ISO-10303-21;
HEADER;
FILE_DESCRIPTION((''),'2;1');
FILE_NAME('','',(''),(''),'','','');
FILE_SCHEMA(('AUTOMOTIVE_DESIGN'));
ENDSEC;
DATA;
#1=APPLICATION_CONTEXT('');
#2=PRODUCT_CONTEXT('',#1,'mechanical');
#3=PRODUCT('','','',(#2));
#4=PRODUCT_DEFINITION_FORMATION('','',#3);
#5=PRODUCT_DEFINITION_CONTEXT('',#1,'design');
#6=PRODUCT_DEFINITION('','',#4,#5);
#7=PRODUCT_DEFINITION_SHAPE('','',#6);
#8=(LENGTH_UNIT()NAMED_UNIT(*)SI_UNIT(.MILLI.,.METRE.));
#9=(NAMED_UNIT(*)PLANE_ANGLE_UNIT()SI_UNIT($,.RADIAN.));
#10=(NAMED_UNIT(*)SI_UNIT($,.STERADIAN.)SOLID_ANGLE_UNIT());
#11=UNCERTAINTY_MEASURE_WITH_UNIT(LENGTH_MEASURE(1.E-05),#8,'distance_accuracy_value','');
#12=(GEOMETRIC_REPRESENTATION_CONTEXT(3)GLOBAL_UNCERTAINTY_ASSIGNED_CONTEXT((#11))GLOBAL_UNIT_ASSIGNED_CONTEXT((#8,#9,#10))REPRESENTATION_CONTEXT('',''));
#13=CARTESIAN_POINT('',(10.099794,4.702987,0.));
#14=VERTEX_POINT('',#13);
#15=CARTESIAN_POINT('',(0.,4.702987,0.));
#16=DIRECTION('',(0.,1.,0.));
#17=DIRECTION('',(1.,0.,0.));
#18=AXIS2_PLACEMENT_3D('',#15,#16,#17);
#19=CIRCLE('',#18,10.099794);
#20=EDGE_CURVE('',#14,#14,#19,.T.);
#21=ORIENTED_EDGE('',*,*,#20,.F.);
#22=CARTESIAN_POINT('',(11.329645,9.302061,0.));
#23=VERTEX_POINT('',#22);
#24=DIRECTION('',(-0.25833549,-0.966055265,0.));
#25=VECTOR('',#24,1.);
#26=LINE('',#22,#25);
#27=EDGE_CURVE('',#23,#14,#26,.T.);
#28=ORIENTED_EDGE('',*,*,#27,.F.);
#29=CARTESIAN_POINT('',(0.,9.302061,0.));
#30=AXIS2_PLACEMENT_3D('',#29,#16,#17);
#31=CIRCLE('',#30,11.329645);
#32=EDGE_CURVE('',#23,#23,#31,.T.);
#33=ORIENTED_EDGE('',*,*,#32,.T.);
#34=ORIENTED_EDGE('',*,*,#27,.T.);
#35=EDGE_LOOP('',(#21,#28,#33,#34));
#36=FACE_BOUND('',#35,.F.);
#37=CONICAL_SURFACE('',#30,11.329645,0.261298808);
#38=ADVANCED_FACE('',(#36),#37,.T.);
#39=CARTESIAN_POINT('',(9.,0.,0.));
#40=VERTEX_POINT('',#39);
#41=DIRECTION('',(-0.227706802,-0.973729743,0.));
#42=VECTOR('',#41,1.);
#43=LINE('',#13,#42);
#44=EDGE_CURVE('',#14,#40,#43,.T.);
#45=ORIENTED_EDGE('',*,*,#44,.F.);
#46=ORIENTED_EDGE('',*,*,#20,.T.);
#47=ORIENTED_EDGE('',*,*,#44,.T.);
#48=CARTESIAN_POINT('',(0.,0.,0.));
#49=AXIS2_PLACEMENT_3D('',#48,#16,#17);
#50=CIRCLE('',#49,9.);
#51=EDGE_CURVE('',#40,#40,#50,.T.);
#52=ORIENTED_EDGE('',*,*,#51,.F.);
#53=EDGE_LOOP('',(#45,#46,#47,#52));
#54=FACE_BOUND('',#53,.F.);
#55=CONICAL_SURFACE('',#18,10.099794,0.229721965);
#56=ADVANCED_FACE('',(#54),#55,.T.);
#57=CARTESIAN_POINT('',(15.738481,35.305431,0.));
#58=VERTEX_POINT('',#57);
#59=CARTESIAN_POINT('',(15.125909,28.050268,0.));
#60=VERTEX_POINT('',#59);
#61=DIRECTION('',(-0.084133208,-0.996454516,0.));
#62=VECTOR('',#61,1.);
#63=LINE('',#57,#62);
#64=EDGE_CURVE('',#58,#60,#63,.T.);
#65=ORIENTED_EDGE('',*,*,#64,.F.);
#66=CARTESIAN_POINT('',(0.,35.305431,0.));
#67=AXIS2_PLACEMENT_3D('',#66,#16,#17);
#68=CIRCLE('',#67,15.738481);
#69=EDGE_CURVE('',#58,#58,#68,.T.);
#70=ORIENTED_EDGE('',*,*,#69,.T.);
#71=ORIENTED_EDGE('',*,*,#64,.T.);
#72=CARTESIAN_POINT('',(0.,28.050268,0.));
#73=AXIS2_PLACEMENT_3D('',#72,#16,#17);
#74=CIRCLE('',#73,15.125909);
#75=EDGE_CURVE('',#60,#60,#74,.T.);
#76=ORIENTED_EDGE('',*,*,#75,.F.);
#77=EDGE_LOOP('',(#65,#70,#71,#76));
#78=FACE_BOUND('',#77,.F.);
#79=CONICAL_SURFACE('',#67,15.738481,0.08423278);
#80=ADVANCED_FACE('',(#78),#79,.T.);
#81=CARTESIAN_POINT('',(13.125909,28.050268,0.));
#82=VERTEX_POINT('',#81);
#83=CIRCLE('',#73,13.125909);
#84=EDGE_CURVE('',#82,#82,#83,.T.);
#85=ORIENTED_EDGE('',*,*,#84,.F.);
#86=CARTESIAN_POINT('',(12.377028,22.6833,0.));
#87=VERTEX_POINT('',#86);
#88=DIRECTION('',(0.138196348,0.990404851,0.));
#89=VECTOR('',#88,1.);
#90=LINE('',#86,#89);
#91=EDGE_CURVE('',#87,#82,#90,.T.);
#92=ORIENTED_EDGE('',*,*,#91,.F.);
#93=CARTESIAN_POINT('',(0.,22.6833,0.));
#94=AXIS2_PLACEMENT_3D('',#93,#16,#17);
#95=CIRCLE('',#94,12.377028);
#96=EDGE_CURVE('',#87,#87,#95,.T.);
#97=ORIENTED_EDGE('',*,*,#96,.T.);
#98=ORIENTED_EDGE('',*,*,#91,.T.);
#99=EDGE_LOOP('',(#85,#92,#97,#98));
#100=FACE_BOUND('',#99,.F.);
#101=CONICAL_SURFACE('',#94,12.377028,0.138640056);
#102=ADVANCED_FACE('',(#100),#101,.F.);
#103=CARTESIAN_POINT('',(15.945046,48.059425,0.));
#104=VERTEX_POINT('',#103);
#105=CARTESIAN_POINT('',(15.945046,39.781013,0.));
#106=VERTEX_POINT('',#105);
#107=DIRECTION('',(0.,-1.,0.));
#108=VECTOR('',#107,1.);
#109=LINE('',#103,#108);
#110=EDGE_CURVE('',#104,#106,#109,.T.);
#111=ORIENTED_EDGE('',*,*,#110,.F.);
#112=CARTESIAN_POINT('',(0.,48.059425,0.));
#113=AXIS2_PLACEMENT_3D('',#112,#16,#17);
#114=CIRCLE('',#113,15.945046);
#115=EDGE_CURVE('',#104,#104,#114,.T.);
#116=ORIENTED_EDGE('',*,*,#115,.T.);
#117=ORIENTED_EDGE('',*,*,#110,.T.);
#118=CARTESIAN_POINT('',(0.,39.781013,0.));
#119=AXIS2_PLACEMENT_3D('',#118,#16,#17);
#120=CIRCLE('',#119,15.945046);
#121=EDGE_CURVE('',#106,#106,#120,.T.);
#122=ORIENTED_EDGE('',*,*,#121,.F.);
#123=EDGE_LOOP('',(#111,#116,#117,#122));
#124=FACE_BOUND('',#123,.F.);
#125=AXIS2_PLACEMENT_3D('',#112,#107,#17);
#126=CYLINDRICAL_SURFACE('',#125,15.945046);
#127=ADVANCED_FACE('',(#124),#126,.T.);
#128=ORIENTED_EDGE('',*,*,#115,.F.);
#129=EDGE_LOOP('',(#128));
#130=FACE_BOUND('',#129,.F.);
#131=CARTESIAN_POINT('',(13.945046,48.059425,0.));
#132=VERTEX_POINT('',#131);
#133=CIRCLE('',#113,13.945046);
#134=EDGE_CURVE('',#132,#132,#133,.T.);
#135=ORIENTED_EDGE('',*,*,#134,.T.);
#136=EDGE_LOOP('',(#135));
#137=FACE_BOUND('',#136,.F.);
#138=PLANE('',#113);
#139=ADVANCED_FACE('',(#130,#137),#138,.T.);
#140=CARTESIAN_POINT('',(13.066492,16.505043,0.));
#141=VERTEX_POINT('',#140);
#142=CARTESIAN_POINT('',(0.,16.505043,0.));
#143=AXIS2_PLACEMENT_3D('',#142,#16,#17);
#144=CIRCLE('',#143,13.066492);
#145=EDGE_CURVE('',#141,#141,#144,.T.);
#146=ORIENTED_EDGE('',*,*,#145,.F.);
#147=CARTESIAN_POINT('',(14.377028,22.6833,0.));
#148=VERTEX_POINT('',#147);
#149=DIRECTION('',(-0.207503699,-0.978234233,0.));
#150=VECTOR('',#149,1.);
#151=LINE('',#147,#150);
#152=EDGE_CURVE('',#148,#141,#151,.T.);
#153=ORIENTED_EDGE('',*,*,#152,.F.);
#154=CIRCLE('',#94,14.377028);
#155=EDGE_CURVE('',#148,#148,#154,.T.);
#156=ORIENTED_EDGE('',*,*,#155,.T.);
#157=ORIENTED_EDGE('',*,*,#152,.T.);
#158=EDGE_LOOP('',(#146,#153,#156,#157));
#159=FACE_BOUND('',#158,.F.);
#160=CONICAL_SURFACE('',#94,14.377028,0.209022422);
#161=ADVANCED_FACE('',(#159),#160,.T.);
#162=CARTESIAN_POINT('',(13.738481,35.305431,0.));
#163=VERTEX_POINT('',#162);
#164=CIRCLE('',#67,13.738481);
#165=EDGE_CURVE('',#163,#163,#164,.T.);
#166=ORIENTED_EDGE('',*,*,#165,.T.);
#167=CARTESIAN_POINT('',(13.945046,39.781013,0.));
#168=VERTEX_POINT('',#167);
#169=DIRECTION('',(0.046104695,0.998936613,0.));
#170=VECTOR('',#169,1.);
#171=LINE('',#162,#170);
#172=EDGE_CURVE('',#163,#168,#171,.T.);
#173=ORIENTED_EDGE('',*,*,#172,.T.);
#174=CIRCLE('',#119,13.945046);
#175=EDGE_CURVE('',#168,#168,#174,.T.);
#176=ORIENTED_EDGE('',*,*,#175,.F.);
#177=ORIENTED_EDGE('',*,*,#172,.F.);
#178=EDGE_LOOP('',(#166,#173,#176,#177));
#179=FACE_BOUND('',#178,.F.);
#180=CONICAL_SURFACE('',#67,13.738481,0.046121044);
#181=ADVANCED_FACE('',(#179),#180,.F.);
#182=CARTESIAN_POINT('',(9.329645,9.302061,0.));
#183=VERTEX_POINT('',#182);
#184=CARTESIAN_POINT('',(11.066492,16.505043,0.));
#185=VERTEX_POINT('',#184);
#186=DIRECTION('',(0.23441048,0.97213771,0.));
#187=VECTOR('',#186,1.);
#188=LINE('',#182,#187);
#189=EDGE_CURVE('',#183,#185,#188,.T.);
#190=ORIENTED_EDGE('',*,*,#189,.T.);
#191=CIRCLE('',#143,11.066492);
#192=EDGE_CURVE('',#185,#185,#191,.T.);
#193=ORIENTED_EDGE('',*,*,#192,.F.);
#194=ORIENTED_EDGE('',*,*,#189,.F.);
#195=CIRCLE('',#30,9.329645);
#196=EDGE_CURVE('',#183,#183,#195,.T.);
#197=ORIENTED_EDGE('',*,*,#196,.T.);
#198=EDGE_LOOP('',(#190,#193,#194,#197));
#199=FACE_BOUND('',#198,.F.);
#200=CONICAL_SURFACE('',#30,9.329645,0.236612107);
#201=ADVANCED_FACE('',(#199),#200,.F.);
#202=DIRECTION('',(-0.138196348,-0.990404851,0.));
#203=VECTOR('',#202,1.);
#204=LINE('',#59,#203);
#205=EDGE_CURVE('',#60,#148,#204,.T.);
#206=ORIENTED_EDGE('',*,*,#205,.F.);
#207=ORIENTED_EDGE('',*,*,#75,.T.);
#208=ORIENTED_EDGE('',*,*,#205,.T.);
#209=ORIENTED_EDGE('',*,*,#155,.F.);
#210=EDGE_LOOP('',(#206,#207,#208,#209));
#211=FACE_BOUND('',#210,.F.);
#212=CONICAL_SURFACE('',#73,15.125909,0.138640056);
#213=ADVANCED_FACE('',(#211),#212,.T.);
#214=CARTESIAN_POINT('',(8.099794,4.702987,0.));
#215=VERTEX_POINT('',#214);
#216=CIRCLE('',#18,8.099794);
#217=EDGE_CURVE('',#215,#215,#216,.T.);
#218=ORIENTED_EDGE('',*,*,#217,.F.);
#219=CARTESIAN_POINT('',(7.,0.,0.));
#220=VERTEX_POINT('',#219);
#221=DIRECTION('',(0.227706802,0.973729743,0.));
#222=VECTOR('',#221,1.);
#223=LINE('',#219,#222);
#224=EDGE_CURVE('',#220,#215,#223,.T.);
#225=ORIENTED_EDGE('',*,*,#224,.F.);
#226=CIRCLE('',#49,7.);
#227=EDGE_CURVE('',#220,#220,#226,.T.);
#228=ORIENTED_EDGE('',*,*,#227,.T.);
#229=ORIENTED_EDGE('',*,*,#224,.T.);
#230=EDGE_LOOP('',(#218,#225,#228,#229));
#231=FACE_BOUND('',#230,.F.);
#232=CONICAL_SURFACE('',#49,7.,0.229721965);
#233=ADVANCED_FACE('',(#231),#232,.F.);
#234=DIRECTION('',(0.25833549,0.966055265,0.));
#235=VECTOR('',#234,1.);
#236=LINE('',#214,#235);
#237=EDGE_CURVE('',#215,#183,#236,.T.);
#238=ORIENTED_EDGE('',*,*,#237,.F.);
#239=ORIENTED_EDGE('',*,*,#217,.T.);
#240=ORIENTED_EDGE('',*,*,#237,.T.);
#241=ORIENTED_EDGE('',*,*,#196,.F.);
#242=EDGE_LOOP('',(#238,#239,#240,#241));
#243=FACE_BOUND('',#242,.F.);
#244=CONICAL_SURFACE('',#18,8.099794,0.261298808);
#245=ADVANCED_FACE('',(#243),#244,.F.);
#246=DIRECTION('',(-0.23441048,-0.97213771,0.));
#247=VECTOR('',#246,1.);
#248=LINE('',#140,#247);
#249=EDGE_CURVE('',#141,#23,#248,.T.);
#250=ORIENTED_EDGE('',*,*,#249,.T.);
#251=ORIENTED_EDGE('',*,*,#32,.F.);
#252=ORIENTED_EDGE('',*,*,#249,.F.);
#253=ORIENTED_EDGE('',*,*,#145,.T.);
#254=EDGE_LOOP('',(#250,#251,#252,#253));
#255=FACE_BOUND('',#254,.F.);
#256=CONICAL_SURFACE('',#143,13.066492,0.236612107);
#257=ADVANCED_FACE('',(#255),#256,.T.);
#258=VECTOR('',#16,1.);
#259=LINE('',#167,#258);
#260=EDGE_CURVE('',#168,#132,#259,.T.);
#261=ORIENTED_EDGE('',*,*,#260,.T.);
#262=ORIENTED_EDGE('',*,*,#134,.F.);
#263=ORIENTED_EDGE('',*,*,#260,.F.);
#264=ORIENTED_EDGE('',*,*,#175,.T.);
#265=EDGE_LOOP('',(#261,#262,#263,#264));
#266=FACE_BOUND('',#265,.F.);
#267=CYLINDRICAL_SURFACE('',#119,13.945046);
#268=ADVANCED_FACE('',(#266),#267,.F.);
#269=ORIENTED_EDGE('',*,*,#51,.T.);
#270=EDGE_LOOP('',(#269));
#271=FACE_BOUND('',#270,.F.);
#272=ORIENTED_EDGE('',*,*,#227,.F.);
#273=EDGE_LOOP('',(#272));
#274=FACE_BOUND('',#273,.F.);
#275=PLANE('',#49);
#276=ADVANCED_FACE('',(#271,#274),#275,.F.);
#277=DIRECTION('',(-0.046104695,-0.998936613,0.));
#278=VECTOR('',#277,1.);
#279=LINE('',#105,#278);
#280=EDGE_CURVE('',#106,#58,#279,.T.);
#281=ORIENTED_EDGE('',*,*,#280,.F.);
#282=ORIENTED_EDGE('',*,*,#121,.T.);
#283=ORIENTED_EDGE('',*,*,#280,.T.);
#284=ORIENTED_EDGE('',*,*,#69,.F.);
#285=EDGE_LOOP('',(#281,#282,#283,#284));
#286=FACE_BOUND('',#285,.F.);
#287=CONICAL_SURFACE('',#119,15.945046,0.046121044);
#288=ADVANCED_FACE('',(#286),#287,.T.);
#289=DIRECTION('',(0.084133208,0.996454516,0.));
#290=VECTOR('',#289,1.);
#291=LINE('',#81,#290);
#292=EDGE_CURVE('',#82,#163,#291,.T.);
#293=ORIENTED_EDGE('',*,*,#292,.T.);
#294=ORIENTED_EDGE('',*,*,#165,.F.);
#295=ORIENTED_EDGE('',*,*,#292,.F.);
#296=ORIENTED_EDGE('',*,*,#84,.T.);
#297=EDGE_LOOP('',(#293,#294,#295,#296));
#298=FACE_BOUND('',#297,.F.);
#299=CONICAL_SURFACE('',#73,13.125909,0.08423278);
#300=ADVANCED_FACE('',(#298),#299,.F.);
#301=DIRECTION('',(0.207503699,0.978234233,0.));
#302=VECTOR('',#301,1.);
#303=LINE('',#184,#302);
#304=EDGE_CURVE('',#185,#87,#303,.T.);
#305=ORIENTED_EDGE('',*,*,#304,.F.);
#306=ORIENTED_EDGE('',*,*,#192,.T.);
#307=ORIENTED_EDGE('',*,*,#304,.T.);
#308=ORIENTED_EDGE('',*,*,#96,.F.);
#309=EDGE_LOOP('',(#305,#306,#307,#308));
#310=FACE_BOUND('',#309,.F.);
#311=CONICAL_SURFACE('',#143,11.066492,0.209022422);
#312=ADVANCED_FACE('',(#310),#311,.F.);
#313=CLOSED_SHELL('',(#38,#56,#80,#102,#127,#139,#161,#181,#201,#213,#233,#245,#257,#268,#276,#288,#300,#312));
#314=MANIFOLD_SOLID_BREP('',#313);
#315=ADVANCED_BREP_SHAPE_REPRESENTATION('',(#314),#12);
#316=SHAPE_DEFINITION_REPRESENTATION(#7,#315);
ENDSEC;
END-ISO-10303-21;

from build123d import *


with BuildPart() as part:
    # Sketch → Revolution (revolve)
    with BuildSketch(Plane.XY):
        Polygon((7, 0), (8.099794, 4.702987), (9.329645, 9.302061), (11.066492, 16.505043), (12.377028, 22.6833), (13.125909, 28.050268), (13.738481, 35.305431), (13.945046, 39.781013), (13.945046, 48.059425), (15.945046, 48.059425), (15.945046, 39.781013), (15.738481, 35.305431), (15.125909, 28.050268), (14.377028, 22.6833), (13.066492, 16.505043), (11.329645, 9.302061), (10.099794, 4.702987), (9, 0), align=None)
    revolve(axis=Axis((0, 0, 0), (0, 1, 0)))


solid = part.part
